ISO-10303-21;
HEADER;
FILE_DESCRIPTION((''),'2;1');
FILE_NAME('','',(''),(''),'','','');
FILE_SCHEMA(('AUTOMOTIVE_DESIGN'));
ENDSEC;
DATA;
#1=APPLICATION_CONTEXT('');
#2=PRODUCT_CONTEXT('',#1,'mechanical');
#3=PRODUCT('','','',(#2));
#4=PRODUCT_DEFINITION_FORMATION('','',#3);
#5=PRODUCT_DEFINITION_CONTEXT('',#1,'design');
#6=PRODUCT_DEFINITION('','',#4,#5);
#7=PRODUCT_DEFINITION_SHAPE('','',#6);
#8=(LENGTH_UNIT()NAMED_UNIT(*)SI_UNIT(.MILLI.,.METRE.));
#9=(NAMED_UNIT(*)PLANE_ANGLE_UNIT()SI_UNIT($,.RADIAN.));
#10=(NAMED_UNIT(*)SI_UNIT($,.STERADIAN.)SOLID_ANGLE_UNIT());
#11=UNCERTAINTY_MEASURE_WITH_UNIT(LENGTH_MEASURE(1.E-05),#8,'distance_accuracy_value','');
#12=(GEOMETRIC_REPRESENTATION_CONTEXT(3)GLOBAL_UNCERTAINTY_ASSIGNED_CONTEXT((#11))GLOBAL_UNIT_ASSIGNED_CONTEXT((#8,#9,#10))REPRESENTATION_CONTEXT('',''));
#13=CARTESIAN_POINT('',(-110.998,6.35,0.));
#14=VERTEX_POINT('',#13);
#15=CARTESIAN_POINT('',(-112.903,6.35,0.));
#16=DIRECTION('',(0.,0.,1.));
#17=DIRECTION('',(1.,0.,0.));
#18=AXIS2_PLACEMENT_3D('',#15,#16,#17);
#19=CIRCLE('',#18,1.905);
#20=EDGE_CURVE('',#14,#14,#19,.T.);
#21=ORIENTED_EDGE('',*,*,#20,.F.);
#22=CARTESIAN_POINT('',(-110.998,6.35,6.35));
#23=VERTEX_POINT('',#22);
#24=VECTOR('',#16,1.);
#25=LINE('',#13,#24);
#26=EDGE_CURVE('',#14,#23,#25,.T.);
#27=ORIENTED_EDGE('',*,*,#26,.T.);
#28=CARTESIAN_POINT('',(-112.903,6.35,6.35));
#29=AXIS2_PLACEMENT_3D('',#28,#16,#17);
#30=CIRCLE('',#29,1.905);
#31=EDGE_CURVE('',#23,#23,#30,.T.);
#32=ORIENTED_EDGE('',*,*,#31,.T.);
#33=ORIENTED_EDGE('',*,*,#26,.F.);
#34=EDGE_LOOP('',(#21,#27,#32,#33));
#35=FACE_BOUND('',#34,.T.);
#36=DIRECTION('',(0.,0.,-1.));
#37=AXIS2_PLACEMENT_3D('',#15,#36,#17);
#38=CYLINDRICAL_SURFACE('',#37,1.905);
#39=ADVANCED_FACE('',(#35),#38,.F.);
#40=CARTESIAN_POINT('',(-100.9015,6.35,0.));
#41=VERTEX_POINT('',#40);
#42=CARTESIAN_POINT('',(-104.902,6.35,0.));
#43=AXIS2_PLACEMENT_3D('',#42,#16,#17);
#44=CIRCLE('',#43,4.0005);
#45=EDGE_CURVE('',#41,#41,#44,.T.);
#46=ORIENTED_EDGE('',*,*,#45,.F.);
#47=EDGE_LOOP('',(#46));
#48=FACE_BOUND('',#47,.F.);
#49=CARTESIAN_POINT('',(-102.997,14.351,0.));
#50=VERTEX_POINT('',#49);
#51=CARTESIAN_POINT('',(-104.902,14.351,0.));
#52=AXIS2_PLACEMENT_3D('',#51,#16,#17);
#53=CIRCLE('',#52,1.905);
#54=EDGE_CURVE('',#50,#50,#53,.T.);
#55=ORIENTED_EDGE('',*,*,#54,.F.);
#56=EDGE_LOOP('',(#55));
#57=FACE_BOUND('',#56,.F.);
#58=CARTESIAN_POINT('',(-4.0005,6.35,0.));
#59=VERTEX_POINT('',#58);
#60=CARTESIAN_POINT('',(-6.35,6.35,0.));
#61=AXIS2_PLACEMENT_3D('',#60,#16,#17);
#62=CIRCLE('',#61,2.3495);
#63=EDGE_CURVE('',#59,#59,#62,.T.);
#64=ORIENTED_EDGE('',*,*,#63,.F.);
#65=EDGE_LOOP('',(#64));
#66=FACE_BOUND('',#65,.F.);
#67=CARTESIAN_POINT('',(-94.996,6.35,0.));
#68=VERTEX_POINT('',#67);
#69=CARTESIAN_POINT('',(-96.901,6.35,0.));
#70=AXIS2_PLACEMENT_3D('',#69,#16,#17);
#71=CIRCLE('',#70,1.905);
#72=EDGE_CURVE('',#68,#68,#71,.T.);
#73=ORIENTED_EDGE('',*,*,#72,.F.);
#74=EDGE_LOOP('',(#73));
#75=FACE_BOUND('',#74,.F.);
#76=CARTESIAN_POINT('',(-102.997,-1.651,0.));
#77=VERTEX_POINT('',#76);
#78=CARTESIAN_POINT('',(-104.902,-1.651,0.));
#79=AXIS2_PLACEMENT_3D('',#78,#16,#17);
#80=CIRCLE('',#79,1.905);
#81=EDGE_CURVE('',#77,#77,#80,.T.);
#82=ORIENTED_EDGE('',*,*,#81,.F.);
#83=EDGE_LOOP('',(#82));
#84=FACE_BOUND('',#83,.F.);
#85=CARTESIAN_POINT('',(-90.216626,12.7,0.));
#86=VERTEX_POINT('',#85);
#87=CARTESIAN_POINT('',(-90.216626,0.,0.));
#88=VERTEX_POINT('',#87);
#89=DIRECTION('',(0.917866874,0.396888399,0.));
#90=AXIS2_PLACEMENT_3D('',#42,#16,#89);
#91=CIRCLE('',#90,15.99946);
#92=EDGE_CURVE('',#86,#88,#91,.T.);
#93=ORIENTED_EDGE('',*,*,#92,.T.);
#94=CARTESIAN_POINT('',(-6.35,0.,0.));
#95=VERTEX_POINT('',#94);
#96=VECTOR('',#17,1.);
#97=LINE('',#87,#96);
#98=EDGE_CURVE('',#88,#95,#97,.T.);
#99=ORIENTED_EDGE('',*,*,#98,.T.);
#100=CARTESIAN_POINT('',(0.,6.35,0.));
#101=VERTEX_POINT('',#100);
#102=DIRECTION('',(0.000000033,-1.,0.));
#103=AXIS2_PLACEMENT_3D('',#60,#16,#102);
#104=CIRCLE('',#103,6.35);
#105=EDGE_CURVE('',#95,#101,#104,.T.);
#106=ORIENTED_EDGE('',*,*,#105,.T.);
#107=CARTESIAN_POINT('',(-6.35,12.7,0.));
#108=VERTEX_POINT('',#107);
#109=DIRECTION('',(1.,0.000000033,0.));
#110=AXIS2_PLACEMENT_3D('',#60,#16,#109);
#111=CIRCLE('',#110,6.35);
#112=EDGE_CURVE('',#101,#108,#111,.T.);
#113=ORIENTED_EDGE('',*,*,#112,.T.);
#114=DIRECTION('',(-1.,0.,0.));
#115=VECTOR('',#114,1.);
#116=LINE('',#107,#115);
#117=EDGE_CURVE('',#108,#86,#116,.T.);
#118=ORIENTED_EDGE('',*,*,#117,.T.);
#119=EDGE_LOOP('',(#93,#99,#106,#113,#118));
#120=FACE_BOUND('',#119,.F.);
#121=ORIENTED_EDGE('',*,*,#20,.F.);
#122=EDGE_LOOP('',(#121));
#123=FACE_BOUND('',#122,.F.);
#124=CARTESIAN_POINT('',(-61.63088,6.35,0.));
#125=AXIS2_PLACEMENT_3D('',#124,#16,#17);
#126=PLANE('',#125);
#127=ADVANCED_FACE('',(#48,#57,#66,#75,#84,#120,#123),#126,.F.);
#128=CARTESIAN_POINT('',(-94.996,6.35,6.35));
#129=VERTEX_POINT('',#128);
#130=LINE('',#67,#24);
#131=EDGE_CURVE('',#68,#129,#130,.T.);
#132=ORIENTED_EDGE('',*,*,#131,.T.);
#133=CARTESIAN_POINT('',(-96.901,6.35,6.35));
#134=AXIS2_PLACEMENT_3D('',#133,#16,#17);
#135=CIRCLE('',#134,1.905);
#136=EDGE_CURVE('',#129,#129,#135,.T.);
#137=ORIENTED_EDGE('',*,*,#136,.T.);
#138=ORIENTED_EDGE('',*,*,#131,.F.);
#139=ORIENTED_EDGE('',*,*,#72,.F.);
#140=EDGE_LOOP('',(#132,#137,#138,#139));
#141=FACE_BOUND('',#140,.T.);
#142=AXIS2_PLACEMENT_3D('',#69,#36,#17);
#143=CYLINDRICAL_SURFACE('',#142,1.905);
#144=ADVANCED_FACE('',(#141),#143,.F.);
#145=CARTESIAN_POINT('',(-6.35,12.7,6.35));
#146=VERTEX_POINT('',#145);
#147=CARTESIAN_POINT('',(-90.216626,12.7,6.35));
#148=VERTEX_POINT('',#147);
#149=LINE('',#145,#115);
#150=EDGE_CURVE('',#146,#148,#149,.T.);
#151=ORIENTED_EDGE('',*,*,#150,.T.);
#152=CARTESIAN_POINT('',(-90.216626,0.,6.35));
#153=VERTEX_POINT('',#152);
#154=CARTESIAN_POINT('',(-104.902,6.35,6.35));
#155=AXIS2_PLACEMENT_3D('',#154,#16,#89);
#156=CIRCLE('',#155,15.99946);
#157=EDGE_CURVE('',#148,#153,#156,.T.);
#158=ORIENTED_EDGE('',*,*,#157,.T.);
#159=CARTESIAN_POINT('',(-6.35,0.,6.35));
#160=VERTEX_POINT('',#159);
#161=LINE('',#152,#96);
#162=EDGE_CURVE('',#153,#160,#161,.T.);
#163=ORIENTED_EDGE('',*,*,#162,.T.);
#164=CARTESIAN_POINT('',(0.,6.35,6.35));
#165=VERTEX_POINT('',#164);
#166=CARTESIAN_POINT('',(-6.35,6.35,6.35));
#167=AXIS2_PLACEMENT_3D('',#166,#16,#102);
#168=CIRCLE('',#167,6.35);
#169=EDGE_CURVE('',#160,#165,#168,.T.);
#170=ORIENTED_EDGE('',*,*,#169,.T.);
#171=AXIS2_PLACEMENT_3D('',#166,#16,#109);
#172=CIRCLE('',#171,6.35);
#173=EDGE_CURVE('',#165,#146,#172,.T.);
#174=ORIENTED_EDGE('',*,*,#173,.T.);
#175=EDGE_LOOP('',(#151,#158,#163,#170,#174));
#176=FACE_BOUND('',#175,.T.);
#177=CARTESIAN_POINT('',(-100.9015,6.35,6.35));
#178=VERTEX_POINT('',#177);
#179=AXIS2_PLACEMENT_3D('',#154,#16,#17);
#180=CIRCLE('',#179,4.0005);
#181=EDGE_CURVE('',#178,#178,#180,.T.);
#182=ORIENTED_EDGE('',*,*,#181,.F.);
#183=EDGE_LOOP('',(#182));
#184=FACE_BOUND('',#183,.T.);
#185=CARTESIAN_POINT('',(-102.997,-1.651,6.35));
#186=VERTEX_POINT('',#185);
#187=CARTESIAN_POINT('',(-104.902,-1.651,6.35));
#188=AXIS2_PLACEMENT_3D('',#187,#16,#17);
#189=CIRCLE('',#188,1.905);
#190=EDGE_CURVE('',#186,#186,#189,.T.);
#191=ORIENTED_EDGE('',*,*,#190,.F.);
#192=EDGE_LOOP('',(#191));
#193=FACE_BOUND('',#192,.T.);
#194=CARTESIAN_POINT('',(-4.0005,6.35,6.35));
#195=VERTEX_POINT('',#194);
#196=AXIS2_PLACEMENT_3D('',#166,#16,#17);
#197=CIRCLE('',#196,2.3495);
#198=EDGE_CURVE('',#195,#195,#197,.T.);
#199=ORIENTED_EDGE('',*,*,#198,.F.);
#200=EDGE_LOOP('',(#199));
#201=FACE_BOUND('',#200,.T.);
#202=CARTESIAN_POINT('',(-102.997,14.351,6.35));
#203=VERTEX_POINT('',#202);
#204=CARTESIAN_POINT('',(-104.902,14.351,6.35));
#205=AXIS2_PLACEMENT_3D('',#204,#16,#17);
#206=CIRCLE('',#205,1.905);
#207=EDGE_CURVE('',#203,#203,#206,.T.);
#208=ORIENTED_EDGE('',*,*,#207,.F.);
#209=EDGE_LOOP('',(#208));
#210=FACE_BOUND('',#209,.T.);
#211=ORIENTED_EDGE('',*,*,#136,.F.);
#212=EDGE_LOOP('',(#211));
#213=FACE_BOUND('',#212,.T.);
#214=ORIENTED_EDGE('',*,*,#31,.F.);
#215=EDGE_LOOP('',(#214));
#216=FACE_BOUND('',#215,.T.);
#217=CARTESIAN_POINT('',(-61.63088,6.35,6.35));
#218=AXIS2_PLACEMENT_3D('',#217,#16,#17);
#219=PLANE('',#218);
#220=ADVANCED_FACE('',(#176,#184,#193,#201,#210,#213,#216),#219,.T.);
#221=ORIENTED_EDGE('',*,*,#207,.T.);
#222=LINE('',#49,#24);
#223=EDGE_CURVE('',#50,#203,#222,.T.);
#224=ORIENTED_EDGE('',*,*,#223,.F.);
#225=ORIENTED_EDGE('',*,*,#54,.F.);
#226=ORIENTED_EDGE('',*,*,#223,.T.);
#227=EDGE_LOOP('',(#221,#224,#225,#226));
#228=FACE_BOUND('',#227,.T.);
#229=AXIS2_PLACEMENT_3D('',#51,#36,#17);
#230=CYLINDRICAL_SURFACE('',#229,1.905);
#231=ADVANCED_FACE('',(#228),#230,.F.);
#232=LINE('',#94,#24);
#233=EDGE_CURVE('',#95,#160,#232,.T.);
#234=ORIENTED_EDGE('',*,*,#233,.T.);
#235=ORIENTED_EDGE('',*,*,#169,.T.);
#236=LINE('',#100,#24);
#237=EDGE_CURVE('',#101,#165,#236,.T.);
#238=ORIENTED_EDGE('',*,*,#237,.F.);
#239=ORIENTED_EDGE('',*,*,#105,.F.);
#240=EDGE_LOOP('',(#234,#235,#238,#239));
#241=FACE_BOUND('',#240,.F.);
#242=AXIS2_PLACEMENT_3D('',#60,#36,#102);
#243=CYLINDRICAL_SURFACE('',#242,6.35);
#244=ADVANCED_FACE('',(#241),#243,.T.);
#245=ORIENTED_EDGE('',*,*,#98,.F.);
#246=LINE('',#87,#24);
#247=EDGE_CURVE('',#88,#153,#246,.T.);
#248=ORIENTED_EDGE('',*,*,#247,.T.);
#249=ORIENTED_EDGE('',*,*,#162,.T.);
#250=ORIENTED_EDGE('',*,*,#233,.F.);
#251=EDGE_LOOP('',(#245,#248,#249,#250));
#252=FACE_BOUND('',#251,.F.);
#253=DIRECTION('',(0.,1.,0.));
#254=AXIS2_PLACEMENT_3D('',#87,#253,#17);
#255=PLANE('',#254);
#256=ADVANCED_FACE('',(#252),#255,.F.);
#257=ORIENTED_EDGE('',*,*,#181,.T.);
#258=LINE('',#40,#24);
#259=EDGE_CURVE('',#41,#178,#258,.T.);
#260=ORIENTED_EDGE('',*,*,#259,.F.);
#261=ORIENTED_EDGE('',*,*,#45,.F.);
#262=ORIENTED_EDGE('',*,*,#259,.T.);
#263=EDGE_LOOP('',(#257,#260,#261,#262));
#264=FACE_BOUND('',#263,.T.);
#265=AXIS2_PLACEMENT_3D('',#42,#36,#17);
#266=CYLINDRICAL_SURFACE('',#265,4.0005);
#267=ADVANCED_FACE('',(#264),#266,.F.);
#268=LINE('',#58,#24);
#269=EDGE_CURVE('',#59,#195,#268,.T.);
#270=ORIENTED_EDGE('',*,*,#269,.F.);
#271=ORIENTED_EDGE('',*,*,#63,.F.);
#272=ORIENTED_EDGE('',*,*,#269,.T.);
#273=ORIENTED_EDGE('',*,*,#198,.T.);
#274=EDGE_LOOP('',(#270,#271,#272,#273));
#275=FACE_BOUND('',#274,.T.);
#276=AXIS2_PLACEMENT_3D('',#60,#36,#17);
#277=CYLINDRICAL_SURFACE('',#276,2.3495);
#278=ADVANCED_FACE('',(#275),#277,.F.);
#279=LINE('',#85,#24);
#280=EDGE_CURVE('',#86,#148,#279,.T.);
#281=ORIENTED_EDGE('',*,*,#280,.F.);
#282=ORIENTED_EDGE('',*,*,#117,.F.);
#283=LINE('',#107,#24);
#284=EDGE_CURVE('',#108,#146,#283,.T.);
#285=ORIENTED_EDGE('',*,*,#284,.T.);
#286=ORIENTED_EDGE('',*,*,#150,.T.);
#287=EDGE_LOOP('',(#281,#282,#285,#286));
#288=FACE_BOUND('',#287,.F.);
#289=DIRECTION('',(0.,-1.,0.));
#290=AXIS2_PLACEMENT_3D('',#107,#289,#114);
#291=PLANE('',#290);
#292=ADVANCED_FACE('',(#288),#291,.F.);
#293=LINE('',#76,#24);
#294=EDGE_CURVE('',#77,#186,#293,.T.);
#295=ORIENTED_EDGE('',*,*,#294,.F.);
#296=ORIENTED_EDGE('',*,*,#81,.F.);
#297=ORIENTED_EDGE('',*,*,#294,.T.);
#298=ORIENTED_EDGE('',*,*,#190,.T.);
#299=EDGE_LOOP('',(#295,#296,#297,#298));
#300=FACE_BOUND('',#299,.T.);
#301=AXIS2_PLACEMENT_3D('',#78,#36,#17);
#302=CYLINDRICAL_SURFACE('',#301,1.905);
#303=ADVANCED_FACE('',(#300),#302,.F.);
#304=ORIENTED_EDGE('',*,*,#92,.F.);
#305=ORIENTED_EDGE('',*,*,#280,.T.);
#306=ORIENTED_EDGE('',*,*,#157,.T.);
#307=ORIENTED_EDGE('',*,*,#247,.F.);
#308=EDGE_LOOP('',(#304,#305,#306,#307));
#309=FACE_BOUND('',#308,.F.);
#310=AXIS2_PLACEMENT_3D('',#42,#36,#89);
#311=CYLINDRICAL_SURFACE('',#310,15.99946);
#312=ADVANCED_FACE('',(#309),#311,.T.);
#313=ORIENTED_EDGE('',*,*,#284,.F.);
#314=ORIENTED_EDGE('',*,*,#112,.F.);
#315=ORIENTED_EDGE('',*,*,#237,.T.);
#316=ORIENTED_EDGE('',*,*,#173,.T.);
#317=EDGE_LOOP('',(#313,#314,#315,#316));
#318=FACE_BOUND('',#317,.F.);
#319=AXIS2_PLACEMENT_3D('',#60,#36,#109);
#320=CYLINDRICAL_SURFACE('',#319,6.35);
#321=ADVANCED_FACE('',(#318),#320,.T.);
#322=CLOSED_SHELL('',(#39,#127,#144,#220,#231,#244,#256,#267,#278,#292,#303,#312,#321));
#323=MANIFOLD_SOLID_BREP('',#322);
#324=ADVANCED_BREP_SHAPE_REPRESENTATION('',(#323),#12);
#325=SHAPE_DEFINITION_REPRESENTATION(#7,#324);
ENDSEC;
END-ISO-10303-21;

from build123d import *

# Parameters (mm, degrees)
F0_R     = 1.905
F0_R_2   = 4.0005
F0_R_3   = 2.3495
F1_DEPTH = 6.35


with BuildPart() as f1:
    # F0 (on Top) → F1 (new body)
    with BuildSketch(Plane.XY):
        with BuildLine():
            ThreePointArc((0, 6.35), (-1.859872, 10.840128), (-6.35, 12.7))
            Line((-6.35, 12.7), (-88.9, 12.7))
            Line((-88.9, 12.7), (-90.216626, 12.7))
            ThreePointArc((-90.216626, 12.7), (-120.90146, 6.35), (-90.216626, 0))
            Line((-90.216626, 0), (-88.9, 0))
            Line((-88.9, 0), (-6.35, 0))
            ThreePointArc((-6.35, 0), (-1.859872, 1.859872), (0, 6.35))
        make_face()
        with Locations((-104.902, -1.651)):
            Circle(F0_R, mode=Mode.SUBTRACT)
        with Locations((-112.903, 6.35)):
            Circle(F0_R, mode=Mode.SUBTRACT)
        with Locations((-104.902, 6.35)):
            Circle(F0_R_2, mode=Mode.SUBTRACT)
        with Locations((-96.901, 6.35)):
            Circle(F0_R, mode=Mode.SUBTRACT)
        with Locations((-104.902, 14.351)):
            Circle(F0_R, mode=Mode.SUBTRACT)
        with Locations((-6.35, 6.35)):
            Circle(F0_R_3, mode=Mode.SUBTRACT)
    extrude(amount=F1_DEPTH)


solid = f1.part
